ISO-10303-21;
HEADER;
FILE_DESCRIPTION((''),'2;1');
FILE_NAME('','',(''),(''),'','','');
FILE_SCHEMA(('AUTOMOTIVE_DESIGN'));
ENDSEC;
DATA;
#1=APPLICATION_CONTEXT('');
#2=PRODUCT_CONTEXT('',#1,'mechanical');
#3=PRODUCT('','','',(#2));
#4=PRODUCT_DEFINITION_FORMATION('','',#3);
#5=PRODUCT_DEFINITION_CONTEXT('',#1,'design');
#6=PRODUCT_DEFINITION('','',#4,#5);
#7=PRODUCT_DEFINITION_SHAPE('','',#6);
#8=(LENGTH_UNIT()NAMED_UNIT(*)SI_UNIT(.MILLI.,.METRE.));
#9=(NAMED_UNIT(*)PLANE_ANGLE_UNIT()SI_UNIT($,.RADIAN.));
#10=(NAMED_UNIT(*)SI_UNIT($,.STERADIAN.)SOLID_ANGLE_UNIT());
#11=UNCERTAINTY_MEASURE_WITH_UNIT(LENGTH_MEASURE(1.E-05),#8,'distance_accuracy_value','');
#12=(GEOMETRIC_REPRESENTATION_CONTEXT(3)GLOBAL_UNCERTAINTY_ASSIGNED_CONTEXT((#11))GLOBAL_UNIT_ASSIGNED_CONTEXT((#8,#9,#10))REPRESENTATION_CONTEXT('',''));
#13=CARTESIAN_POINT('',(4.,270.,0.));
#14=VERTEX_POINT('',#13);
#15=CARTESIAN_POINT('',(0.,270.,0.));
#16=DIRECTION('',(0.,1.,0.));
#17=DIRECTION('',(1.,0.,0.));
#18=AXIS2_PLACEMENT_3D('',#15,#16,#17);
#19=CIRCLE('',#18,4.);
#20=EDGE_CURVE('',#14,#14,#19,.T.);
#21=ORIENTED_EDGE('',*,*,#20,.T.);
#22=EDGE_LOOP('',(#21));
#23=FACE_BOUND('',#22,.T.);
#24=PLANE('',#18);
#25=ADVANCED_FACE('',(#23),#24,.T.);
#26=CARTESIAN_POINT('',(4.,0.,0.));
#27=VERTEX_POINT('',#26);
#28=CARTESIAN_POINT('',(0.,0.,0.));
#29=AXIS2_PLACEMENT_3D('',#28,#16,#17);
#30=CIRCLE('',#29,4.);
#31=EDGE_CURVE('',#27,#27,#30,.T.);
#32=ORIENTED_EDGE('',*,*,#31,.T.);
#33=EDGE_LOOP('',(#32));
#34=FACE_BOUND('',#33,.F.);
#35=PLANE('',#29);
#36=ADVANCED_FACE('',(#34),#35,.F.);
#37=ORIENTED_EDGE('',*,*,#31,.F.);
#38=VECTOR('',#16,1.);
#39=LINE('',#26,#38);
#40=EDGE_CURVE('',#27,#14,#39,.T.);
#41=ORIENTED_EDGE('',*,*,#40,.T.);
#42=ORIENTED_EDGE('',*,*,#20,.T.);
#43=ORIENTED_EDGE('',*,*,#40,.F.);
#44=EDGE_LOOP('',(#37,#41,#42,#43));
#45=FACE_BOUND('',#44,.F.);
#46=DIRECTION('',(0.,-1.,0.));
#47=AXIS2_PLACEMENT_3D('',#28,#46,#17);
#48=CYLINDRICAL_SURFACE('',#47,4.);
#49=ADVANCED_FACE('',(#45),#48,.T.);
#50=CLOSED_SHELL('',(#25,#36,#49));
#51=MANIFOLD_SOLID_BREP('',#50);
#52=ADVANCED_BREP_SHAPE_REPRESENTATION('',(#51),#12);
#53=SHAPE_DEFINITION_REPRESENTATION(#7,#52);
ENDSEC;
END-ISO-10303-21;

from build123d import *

# Parameters (mm, degrees)
SKETCH_1_R      = 4
EXTRUDE_1_DEPTH = 270


with BuildPart() as part:
    # 草图1 → 凸台-拉伸1 (new body)
    with BuildSketch(Plane(origin=(0, 0, 0), x_dir=(1, 0, 0), z_dir=(0, 1, 0))):
        Circle(SKETCH_1_R)
    extrude(amount=EXTRUDE_1_DEPTH)


solid = part.part
